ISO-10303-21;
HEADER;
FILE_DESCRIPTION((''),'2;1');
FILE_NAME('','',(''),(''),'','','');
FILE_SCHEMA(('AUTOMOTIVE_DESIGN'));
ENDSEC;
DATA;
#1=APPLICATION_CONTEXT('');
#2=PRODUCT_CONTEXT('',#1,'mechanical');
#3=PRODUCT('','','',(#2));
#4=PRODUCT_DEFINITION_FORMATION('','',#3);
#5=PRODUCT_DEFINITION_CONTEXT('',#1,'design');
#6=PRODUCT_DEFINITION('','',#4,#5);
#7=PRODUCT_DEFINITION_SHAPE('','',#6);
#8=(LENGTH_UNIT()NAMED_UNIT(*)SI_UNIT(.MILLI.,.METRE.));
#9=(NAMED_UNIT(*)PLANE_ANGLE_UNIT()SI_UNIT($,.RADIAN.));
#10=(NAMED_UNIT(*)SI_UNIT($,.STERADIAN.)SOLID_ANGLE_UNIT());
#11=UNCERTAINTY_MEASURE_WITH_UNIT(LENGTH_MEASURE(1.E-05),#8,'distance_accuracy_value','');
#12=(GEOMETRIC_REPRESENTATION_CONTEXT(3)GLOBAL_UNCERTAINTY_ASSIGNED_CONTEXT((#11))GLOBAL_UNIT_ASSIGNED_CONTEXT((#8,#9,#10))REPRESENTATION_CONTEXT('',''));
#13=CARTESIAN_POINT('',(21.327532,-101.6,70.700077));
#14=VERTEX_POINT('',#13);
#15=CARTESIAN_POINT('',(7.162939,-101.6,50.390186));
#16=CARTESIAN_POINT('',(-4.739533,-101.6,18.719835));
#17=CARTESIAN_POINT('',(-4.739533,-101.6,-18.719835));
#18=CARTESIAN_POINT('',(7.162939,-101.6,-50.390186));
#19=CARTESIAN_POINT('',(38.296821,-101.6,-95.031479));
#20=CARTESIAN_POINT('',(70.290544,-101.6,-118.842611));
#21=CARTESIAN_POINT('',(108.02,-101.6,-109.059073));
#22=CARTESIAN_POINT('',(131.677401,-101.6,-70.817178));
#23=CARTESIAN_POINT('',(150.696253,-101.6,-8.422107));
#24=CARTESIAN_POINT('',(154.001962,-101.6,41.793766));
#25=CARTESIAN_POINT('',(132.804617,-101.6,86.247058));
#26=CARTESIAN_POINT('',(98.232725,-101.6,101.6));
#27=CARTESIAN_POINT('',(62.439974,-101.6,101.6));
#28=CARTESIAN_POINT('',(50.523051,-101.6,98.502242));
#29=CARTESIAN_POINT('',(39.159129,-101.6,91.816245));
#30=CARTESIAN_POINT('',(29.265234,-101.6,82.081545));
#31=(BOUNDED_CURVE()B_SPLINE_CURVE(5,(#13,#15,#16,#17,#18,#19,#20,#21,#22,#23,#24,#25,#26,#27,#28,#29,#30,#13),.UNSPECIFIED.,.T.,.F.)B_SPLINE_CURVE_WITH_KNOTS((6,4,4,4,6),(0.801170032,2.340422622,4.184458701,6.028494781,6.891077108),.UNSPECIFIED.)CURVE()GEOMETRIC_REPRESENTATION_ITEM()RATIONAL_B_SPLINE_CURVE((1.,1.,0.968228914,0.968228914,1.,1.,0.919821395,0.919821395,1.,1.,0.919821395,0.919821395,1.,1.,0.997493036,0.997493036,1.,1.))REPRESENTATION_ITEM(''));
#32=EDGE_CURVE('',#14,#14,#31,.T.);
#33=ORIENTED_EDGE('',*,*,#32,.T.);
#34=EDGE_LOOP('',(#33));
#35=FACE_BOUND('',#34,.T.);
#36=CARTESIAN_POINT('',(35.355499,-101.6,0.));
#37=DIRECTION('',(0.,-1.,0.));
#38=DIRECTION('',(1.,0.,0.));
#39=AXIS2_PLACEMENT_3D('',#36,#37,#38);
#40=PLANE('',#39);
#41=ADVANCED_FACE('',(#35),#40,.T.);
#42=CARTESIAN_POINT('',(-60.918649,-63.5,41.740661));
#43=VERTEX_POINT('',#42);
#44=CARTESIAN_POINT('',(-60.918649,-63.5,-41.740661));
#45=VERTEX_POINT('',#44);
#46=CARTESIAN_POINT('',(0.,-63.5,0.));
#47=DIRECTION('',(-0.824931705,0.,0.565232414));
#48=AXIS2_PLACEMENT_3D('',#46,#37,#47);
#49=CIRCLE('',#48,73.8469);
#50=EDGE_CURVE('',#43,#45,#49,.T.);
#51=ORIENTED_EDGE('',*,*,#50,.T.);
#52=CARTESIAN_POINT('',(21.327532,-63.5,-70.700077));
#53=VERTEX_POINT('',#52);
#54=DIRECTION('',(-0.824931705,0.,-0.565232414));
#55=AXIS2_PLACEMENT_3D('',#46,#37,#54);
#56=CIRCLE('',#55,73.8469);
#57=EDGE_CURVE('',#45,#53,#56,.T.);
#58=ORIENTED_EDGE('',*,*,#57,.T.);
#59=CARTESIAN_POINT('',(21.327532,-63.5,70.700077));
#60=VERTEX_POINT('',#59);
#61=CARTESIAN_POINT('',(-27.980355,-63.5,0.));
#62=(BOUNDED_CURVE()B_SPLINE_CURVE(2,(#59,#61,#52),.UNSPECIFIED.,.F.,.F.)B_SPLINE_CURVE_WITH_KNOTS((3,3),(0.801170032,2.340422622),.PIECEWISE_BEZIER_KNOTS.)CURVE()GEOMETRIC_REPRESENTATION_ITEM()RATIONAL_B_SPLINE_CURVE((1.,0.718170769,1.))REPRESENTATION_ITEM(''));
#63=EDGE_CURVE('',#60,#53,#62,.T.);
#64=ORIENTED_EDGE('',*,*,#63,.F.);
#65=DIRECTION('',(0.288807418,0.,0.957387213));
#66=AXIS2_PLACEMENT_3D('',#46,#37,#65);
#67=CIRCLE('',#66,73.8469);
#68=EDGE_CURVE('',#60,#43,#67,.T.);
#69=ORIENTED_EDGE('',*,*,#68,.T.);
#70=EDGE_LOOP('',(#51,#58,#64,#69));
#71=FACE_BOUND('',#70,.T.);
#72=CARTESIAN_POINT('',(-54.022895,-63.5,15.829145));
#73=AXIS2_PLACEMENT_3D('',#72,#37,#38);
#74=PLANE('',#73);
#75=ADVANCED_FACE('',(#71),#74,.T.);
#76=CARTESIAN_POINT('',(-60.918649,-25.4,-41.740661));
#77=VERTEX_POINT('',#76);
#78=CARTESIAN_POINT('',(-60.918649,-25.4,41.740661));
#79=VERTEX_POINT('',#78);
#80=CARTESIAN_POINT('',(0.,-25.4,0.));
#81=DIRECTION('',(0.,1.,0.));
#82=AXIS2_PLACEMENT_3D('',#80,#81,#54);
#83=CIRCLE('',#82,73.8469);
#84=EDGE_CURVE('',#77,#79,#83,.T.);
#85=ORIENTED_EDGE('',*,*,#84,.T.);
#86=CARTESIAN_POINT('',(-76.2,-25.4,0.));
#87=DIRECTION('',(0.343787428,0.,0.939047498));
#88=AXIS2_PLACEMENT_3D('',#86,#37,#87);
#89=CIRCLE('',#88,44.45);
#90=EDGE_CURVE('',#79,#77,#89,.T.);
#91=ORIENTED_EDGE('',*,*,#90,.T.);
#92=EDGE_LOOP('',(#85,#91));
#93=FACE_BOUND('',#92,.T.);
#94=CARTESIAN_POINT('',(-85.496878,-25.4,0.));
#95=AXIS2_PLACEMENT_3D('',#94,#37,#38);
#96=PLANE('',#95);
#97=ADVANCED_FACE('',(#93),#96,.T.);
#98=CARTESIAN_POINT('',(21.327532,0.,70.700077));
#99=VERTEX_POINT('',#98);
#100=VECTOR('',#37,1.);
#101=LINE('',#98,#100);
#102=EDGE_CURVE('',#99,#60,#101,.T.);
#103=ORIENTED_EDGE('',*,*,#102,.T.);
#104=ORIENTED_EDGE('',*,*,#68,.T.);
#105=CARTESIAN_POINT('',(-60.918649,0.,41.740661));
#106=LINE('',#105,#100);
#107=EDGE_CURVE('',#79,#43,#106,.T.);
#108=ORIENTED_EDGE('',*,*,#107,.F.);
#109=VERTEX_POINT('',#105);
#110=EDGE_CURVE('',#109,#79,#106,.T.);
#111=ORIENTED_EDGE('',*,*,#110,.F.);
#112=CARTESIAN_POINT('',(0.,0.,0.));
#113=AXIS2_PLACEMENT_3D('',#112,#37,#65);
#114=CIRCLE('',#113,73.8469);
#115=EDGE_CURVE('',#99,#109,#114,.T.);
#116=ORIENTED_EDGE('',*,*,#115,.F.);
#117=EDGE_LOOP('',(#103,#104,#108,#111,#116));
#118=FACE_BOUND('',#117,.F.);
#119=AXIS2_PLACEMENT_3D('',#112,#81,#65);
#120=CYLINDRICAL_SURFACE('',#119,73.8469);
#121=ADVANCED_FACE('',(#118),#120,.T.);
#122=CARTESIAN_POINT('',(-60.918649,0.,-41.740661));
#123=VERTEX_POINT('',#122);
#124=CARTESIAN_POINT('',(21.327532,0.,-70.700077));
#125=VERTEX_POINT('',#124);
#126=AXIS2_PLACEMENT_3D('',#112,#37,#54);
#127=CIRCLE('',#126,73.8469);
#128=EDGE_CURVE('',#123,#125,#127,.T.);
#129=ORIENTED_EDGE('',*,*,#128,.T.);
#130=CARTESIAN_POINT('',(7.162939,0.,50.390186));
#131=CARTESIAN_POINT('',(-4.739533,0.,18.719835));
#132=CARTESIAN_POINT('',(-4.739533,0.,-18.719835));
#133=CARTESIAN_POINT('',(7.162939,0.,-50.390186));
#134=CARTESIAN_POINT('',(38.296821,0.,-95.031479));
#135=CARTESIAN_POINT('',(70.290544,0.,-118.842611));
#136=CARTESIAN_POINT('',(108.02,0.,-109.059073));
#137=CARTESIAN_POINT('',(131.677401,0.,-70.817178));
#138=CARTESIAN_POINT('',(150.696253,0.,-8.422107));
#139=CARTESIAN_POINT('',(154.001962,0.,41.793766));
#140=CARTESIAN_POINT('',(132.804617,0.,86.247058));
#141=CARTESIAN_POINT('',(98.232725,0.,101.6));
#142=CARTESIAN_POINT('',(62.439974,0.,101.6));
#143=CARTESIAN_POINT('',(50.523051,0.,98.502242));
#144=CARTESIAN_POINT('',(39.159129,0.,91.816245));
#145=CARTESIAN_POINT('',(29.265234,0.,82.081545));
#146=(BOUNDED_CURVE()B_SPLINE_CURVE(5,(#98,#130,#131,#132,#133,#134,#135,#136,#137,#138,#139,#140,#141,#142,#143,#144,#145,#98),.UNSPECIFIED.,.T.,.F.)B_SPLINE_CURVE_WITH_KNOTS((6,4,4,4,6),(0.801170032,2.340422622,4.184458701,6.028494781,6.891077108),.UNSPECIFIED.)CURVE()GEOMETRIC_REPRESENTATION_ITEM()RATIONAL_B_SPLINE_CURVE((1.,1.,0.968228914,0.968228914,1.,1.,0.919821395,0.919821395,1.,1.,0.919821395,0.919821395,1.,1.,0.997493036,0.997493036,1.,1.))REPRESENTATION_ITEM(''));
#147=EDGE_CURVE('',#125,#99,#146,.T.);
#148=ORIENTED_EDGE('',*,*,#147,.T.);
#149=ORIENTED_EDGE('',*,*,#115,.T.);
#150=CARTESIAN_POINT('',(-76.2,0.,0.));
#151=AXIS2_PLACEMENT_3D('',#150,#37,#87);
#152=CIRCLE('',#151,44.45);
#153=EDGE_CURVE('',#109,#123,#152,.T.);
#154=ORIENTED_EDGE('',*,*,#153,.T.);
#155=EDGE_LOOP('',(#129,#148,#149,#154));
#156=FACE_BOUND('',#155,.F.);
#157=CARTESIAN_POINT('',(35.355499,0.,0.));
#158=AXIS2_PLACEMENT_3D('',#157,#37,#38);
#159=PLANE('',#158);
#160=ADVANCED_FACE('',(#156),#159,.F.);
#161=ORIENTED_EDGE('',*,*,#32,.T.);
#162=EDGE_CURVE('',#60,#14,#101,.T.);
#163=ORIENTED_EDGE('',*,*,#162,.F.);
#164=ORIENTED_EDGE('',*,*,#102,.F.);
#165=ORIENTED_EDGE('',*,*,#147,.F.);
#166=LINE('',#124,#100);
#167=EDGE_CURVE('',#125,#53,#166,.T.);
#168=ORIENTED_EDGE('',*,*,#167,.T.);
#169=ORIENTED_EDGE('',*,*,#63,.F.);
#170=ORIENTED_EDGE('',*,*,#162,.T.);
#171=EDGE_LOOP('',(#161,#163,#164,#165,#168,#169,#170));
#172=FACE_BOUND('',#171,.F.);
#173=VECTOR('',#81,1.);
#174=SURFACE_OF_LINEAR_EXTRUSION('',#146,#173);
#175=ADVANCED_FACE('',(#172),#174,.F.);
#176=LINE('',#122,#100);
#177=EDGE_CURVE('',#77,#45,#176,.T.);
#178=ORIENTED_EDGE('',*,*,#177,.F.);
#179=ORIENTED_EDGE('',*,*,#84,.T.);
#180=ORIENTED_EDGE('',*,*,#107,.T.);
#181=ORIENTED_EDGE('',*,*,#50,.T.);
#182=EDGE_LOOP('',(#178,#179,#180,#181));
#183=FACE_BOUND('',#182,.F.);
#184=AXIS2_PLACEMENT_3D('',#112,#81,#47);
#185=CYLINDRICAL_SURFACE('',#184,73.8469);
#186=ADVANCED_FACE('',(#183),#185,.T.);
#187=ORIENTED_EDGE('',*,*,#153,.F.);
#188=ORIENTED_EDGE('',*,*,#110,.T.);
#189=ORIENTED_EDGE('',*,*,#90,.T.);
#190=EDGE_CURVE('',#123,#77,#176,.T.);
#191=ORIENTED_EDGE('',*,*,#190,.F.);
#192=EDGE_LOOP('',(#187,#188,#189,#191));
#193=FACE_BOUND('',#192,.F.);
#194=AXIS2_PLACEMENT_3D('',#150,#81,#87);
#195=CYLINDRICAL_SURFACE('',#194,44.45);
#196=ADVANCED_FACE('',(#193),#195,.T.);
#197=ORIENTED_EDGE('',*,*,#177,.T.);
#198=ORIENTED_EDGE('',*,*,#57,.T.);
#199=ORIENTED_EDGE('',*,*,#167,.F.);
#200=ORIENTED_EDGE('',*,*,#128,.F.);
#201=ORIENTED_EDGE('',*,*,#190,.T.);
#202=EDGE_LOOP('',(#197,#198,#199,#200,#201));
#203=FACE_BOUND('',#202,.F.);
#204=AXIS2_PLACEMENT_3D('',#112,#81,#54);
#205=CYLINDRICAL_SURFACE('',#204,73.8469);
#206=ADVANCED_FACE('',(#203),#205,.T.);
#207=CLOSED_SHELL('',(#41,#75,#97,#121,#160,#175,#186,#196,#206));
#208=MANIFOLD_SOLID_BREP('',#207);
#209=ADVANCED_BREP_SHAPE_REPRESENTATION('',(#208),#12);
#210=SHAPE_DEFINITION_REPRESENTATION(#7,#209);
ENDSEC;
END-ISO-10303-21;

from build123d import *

# Parameters (mm, degrees)
F1_DEPTH = 25.4
F2_DEPTH = 63.5
F3_DEPTH = 101.6


with BuildPart() as f1:
    # F0 (on Front) → F1 (new body)
    with BuildSketch(Plane.XZ):
        with BuildLine():
            ThreePointArc((-60.9186488081, -41.7406612999), (-70.5408318627, -21.8484694768), (-73.8468995853, 0))
            ThreePointArc((-73.8468995853, 0), (-70.5408318627, 21.8484694768), (-60.9186488081, 41.7406612999))
            ThreePointArc((-60.9186488081, 41.7406612999), (-120.65, 0), (-60.9186488081, -41.7406612999))
        make_face()
    extrude(amount=F1_DEPTH)

    # F0 (on Front) → F2 (join)
    with BuildSketch(Plane.XZ):
        with BuildLine():
            Line((-73.8468995853, 0), (-31.75, 0))
            ThreePointArc((-31.75, 0), (-39.7647247816, 25.4612101001), (-60.9186488081, 41.7406612999))
            ThreePointArc((-60.9186488081, 41.7406612999), (-70.5408318627, 21.8484694768), (-73.8468995853, 0))
        make_face()
        with BuildLine():
            ThreePointArc((-60.9186488081, -41.7406612999), (-39.7647247816, -25.4612101001), (-31.75, 0))
            Line((-31.75, 0), (-73.8468995853, 0))
            ThreePointArc((-73.8468995853, 0), (-70.5408318627, -21.8484694768), (-60.9186488081, -41.7406612999))
        make_face()
        with BuildLine():
            ThreePointArc((-60.9186488081, 41.7406612999), (-39.7647247816, 25.4612101001), (-31.75, 0))
            ThreePointArc((-31.75, 0), (-39.7647247816, -25.4612101001), (-60.9186488081, -41.7406612999))
            ThreePointArc((-60.9186488081, -41.7406612999), (-24.5260284139, -69.6551398577), (21.3275323846, -70.7000773743))
            add(Edge.make_bspline(
                [(21.3275323846, 70.7000773743), (-27.9803553448, 0), (21.3275323846, -70.7000773743)],
                knots=[0.8011700317, 0.8011700317, 0.8011700317, 2.3404226219, 2.3404226219, 2.3404226219], degree=2, weights=[1, 0.7181707686, 1]))
            ThreePointArc((21.3275323846, 70.7000773743), (-24.5260284139, 69.6551398577), (-60.9186488081, 41.7406612999))
        make_face()
    extrude(amount=F2_DEPTH)

    # F0 (on Front) → F3 (join)
    with BuildSketch(Plane.XZ):
        with BuildLine():
            ThreePointArc((73.8468995853, 0), (59.2804213917, 44.0363056803), (21.3275323846, 70.7000773743))
            add(Edge.make_bspline(
                [(21.3275323846, 70.7000773743), (-27.9803553448, 0), (21.3275323846, -70.7000773743)],
                knots=[0.8011700317, 0.8011700317, 0.8011700317, 2.3404226219, 2.3404226219, 2.3404226219], degree=2, weights=[1, 0.7181707686, 1]))
            ThreePointArc((21.3275323846, -70.7000773743), (59.2804213917, -44.0363056803), (73.8468995853, 0))
        make_face()
        with BuildLine():
            add(Edge.make_bspline(
                [(73.8468995853, 101.6), (42.877861214, 101.6), (21.3275323846, 70.7000773743)],
                knots=[0, 0, 0, 0.8011700317, 0.8011700317, 0.8011700317], degree=2, weights=[1, 0.9208330205, 1]))
            ThreePointArc((21.3275323846, 70.7000773743), (59.2804213917, 44.0363056803), (73.8468995853, 0))
            Line((73.8468995853, 0), (73.8468995853, 101.6))
        make_face()
        with BuildLine():
            ThreePointArc((73.8468995853, 0), (59.2804213917, -44.0363056803), (21.3275323846, -70.7000773743))
            add(Edge.make_bspline(
                [(21.3275323846, -70.7000773743), (98.1411920419, -180.8392849383), (141.1868271444, -39.6196424692), (184.2324622468, 101.6), (73.8468995853, 101.6)],
                knots=[2.3404226219, 2.3404226219, 2.3404226219, 4.3118039645, 4.3118039645, 6.2831853072, 6.2831853072, 6.2831853072], degree=2, weights=[1, 0.5522874655, 1, 0.5522874655, 1]))
            Line((73.8468995853, 101.6), (73.8468995853, 0))
        make_face()
    extrude(amount=F3_DEPTH)


solid = f1.part
